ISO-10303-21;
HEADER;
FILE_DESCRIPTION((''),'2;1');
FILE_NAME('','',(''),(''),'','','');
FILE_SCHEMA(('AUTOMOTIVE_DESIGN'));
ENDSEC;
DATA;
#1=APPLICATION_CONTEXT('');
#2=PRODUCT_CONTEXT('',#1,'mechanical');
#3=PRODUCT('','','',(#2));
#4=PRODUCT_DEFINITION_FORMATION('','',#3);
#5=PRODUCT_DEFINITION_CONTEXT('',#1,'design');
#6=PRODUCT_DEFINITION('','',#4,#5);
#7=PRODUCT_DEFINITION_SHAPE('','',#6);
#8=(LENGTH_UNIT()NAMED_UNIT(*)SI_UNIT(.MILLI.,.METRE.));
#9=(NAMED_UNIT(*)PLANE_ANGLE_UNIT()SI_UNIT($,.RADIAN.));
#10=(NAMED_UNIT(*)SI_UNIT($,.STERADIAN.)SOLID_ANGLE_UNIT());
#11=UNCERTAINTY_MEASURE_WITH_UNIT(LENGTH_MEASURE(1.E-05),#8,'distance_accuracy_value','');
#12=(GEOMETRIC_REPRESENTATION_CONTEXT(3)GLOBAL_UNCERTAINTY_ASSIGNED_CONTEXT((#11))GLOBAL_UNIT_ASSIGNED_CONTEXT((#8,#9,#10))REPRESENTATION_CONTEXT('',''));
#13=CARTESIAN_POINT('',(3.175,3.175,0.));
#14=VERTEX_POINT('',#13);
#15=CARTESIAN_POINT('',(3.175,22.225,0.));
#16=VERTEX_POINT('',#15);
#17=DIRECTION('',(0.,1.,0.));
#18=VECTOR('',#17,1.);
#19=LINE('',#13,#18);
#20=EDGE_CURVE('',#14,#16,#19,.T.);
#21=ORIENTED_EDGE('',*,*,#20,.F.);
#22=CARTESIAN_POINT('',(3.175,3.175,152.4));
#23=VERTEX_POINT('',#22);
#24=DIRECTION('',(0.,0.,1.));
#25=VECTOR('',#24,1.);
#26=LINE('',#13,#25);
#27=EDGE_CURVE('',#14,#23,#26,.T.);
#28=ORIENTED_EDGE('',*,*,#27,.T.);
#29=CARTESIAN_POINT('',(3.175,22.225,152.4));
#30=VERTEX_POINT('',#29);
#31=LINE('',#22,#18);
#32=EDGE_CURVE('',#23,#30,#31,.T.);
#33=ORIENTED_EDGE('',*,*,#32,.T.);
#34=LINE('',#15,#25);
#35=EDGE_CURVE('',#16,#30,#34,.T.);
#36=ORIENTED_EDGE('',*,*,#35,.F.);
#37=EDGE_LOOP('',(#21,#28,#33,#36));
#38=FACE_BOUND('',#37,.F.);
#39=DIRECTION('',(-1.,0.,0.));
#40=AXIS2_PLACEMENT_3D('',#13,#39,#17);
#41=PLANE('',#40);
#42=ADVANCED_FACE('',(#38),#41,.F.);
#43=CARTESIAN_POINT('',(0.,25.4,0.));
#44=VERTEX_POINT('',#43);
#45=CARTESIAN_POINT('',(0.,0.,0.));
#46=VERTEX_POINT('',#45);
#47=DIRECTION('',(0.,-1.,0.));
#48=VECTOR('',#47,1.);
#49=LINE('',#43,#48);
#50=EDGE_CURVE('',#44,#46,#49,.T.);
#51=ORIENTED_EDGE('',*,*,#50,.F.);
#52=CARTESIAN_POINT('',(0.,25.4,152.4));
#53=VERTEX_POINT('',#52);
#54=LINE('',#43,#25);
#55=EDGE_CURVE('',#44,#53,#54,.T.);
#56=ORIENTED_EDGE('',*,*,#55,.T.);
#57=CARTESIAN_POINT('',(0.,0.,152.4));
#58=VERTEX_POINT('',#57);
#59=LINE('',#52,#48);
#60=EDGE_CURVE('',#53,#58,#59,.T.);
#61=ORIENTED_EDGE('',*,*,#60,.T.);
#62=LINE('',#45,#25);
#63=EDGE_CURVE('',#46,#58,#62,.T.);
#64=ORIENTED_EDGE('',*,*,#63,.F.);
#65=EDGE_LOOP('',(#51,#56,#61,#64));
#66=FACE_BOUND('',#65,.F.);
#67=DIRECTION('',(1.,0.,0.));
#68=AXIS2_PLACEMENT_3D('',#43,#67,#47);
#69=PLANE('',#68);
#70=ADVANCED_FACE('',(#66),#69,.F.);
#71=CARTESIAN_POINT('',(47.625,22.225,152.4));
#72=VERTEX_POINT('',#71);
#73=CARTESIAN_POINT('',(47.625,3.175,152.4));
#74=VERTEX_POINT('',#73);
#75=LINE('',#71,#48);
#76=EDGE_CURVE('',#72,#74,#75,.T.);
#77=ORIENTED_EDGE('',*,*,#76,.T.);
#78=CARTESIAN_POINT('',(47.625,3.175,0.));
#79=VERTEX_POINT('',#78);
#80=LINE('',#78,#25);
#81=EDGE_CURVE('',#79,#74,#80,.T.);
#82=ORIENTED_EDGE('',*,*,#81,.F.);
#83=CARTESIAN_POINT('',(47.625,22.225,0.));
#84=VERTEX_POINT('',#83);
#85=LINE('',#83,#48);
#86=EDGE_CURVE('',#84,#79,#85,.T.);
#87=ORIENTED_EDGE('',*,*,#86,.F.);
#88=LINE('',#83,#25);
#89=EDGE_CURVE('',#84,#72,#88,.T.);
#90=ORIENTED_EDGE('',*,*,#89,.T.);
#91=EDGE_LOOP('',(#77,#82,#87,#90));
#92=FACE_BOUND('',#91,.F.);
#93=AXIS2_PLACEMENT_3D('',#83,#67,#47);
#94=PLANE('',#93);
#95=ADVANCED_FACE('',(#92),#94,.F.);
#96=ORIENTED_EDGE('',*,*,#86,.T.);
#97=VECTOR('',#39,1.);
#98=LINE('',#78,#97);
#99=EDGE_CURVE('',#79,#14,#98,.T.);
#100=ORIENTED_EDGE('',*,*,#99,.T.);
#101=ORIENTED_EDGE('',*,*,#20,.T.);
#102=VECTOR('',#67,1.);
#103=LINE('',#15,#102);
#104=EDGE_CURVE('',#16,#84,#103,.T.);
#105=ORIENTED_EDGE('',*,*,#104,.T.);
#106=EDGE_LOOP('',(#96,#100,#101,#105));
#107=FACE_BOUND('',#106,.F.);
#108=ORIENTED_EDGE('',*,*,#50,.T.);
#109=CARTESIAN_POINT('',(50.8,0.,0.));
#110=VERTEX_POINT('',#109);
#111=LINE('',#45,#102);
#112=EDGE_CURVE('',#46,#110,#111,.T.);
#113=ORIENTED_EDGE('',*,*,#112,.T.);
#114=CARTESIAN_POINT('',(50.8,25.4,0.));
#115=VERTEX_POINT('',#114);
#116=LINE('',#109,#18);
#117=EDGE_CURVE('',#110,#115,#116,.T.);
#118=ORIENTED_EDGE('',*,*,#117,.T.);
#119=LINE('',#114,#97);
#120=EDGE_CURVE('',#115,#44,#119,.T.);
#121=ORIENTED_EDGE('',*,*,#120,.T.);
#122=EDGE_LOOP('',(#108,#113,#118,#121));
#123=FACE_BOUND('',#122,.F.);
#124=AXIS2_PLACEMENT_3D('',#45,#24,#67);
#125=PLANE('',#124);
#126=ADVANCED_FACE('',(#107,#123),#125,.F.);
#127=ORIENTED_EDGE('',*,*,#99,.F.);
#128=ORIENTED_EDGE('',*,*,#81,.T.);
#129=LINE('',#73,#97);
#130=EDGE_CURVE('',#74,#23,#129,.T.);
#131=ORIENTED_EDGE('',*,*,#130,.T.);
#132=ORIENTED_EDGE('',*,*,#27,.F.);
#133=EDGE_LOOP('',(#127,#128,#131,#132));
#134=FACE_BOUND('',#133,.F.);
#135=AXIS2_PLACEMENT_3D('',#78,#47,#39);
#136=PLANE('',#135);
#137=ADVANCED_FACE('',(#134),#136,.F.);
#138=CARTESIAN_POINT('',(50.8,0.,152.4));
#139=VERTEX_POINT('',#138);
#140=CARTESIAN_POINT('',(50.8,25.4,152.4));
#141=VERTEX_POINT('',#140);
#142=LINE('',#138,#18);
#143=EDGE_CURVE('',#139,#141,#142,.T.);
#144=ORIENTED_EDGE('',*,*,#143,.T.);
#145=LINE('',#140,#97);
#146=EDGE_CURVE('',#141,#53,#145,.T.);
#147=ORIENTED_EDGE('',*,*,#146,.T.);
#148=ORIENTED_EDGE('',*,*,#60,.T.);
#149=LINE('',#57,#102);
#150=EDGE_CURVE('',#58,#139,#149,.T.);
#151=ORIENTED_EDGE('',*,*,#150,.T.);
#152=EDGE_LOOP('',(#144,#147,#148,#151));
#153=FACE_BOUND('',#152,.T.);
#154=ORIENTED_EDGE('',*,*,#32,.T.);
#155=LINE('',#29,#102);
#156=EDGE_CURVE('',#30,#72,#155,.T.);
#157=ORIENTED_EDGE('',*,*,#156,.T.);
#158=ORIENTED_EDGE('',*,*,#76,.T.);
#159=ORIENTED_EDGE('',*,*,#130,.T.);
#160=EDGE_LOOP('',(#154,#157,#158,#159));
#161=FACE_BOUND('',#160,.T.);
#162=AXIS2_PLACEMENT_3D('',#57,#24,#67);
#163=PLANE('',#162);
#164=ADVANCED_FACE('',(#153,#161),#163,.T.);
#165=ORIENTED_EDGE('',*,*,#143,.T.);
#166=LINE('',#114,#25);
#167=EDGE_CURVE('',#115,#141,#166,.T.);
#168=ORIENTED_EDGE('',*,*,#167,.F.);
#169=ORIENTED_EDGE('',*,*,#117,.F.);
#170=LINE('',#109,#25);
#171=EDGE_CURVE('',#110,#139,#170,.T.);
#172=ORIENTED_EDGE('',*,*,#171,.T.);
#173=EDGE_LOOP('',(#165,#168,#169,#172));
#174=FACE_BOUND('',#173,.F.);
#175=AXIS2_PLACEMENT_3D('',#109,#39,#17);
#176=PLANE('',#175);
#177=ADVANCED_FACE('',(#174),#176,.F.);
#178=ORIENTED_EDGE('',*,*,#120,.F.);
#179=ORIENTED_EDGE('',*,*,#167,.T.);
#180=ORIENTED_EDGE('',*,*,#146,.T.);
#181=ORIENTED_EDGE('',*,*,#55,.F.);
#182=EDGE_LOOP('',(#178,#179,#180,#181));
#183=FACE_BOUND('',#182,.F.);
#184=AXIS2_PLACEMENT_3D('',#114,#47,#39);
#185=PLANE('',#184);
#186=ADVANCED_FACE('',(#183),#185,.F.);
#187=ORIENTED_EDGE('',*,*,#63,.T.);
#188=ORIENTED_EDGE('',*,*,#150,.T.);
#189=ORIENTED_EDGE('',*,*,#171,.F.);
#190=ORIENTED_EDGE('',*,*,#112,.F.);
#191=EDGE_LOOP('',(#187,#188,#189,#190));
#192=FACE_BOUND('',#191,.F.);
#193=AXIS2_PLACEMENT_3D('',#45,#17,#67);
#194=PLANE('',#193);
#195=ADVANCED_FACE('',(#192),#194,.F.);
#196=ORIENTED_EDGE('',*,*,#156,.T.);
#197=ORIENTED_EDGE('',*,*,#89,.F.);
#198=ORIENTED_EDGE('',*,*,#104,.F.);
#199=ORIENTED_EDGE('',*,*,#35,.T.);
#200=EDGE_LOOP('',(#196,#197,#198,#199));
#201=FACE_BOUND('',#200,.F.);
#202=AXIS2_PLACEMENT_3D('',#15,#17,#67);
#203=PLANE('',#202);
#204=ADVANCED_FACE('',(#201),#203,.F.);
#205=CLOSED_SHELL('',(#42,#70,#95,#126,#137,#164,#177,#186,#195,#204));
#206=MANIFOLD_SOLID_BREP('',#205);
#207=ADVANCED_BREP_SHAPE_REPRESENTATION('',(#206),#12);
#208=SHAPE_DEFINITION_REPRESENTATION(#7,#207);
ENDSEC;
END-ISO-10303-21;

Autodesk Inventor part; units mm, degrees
ref_plane "YZ Plane" through (0, 0, 0) normal (1, 0, 0) x (0, 1, 0)
ref_plane "XZ Plane" through (0, 0, 0) normal (0, 1, 0) x (-1, 0, 0)
ref_plane "XY Plane" through (0, 0, 0) normal (0, 0, 1) x (1, 0, 0)
sketch "Sketch1" plane through (0, 0, 0) normal (0, 0, 1) x (1, 0, 0)
  line L0 (0, 0) -> (50.8, 0)
  line L1 (50.8, 0) -> (50.8, 25.4)
  line L2 (50.8, 25.4) -> (0, 25.4)
  line L3 (0, 25.4) -> (0, 0)
  line L4 (3.175, 22.225) -> (47.625, 22.225)
  line L5 (47.625, 22.225) -> (47.625, 3.175)
  line L6 (47.625, 3.175) -> (3.175, 3.175)
  line L7 (3.175, 3.175) -> (3.175, 22.225)
  dimension "d0" = 50.8
  dimension "d1" = 25.4
  dimension "d2" = 3.175
extrude "Extrusion1" add sketch "Sketch1" along normal blind 152.4
properties part number "1x2x6"
